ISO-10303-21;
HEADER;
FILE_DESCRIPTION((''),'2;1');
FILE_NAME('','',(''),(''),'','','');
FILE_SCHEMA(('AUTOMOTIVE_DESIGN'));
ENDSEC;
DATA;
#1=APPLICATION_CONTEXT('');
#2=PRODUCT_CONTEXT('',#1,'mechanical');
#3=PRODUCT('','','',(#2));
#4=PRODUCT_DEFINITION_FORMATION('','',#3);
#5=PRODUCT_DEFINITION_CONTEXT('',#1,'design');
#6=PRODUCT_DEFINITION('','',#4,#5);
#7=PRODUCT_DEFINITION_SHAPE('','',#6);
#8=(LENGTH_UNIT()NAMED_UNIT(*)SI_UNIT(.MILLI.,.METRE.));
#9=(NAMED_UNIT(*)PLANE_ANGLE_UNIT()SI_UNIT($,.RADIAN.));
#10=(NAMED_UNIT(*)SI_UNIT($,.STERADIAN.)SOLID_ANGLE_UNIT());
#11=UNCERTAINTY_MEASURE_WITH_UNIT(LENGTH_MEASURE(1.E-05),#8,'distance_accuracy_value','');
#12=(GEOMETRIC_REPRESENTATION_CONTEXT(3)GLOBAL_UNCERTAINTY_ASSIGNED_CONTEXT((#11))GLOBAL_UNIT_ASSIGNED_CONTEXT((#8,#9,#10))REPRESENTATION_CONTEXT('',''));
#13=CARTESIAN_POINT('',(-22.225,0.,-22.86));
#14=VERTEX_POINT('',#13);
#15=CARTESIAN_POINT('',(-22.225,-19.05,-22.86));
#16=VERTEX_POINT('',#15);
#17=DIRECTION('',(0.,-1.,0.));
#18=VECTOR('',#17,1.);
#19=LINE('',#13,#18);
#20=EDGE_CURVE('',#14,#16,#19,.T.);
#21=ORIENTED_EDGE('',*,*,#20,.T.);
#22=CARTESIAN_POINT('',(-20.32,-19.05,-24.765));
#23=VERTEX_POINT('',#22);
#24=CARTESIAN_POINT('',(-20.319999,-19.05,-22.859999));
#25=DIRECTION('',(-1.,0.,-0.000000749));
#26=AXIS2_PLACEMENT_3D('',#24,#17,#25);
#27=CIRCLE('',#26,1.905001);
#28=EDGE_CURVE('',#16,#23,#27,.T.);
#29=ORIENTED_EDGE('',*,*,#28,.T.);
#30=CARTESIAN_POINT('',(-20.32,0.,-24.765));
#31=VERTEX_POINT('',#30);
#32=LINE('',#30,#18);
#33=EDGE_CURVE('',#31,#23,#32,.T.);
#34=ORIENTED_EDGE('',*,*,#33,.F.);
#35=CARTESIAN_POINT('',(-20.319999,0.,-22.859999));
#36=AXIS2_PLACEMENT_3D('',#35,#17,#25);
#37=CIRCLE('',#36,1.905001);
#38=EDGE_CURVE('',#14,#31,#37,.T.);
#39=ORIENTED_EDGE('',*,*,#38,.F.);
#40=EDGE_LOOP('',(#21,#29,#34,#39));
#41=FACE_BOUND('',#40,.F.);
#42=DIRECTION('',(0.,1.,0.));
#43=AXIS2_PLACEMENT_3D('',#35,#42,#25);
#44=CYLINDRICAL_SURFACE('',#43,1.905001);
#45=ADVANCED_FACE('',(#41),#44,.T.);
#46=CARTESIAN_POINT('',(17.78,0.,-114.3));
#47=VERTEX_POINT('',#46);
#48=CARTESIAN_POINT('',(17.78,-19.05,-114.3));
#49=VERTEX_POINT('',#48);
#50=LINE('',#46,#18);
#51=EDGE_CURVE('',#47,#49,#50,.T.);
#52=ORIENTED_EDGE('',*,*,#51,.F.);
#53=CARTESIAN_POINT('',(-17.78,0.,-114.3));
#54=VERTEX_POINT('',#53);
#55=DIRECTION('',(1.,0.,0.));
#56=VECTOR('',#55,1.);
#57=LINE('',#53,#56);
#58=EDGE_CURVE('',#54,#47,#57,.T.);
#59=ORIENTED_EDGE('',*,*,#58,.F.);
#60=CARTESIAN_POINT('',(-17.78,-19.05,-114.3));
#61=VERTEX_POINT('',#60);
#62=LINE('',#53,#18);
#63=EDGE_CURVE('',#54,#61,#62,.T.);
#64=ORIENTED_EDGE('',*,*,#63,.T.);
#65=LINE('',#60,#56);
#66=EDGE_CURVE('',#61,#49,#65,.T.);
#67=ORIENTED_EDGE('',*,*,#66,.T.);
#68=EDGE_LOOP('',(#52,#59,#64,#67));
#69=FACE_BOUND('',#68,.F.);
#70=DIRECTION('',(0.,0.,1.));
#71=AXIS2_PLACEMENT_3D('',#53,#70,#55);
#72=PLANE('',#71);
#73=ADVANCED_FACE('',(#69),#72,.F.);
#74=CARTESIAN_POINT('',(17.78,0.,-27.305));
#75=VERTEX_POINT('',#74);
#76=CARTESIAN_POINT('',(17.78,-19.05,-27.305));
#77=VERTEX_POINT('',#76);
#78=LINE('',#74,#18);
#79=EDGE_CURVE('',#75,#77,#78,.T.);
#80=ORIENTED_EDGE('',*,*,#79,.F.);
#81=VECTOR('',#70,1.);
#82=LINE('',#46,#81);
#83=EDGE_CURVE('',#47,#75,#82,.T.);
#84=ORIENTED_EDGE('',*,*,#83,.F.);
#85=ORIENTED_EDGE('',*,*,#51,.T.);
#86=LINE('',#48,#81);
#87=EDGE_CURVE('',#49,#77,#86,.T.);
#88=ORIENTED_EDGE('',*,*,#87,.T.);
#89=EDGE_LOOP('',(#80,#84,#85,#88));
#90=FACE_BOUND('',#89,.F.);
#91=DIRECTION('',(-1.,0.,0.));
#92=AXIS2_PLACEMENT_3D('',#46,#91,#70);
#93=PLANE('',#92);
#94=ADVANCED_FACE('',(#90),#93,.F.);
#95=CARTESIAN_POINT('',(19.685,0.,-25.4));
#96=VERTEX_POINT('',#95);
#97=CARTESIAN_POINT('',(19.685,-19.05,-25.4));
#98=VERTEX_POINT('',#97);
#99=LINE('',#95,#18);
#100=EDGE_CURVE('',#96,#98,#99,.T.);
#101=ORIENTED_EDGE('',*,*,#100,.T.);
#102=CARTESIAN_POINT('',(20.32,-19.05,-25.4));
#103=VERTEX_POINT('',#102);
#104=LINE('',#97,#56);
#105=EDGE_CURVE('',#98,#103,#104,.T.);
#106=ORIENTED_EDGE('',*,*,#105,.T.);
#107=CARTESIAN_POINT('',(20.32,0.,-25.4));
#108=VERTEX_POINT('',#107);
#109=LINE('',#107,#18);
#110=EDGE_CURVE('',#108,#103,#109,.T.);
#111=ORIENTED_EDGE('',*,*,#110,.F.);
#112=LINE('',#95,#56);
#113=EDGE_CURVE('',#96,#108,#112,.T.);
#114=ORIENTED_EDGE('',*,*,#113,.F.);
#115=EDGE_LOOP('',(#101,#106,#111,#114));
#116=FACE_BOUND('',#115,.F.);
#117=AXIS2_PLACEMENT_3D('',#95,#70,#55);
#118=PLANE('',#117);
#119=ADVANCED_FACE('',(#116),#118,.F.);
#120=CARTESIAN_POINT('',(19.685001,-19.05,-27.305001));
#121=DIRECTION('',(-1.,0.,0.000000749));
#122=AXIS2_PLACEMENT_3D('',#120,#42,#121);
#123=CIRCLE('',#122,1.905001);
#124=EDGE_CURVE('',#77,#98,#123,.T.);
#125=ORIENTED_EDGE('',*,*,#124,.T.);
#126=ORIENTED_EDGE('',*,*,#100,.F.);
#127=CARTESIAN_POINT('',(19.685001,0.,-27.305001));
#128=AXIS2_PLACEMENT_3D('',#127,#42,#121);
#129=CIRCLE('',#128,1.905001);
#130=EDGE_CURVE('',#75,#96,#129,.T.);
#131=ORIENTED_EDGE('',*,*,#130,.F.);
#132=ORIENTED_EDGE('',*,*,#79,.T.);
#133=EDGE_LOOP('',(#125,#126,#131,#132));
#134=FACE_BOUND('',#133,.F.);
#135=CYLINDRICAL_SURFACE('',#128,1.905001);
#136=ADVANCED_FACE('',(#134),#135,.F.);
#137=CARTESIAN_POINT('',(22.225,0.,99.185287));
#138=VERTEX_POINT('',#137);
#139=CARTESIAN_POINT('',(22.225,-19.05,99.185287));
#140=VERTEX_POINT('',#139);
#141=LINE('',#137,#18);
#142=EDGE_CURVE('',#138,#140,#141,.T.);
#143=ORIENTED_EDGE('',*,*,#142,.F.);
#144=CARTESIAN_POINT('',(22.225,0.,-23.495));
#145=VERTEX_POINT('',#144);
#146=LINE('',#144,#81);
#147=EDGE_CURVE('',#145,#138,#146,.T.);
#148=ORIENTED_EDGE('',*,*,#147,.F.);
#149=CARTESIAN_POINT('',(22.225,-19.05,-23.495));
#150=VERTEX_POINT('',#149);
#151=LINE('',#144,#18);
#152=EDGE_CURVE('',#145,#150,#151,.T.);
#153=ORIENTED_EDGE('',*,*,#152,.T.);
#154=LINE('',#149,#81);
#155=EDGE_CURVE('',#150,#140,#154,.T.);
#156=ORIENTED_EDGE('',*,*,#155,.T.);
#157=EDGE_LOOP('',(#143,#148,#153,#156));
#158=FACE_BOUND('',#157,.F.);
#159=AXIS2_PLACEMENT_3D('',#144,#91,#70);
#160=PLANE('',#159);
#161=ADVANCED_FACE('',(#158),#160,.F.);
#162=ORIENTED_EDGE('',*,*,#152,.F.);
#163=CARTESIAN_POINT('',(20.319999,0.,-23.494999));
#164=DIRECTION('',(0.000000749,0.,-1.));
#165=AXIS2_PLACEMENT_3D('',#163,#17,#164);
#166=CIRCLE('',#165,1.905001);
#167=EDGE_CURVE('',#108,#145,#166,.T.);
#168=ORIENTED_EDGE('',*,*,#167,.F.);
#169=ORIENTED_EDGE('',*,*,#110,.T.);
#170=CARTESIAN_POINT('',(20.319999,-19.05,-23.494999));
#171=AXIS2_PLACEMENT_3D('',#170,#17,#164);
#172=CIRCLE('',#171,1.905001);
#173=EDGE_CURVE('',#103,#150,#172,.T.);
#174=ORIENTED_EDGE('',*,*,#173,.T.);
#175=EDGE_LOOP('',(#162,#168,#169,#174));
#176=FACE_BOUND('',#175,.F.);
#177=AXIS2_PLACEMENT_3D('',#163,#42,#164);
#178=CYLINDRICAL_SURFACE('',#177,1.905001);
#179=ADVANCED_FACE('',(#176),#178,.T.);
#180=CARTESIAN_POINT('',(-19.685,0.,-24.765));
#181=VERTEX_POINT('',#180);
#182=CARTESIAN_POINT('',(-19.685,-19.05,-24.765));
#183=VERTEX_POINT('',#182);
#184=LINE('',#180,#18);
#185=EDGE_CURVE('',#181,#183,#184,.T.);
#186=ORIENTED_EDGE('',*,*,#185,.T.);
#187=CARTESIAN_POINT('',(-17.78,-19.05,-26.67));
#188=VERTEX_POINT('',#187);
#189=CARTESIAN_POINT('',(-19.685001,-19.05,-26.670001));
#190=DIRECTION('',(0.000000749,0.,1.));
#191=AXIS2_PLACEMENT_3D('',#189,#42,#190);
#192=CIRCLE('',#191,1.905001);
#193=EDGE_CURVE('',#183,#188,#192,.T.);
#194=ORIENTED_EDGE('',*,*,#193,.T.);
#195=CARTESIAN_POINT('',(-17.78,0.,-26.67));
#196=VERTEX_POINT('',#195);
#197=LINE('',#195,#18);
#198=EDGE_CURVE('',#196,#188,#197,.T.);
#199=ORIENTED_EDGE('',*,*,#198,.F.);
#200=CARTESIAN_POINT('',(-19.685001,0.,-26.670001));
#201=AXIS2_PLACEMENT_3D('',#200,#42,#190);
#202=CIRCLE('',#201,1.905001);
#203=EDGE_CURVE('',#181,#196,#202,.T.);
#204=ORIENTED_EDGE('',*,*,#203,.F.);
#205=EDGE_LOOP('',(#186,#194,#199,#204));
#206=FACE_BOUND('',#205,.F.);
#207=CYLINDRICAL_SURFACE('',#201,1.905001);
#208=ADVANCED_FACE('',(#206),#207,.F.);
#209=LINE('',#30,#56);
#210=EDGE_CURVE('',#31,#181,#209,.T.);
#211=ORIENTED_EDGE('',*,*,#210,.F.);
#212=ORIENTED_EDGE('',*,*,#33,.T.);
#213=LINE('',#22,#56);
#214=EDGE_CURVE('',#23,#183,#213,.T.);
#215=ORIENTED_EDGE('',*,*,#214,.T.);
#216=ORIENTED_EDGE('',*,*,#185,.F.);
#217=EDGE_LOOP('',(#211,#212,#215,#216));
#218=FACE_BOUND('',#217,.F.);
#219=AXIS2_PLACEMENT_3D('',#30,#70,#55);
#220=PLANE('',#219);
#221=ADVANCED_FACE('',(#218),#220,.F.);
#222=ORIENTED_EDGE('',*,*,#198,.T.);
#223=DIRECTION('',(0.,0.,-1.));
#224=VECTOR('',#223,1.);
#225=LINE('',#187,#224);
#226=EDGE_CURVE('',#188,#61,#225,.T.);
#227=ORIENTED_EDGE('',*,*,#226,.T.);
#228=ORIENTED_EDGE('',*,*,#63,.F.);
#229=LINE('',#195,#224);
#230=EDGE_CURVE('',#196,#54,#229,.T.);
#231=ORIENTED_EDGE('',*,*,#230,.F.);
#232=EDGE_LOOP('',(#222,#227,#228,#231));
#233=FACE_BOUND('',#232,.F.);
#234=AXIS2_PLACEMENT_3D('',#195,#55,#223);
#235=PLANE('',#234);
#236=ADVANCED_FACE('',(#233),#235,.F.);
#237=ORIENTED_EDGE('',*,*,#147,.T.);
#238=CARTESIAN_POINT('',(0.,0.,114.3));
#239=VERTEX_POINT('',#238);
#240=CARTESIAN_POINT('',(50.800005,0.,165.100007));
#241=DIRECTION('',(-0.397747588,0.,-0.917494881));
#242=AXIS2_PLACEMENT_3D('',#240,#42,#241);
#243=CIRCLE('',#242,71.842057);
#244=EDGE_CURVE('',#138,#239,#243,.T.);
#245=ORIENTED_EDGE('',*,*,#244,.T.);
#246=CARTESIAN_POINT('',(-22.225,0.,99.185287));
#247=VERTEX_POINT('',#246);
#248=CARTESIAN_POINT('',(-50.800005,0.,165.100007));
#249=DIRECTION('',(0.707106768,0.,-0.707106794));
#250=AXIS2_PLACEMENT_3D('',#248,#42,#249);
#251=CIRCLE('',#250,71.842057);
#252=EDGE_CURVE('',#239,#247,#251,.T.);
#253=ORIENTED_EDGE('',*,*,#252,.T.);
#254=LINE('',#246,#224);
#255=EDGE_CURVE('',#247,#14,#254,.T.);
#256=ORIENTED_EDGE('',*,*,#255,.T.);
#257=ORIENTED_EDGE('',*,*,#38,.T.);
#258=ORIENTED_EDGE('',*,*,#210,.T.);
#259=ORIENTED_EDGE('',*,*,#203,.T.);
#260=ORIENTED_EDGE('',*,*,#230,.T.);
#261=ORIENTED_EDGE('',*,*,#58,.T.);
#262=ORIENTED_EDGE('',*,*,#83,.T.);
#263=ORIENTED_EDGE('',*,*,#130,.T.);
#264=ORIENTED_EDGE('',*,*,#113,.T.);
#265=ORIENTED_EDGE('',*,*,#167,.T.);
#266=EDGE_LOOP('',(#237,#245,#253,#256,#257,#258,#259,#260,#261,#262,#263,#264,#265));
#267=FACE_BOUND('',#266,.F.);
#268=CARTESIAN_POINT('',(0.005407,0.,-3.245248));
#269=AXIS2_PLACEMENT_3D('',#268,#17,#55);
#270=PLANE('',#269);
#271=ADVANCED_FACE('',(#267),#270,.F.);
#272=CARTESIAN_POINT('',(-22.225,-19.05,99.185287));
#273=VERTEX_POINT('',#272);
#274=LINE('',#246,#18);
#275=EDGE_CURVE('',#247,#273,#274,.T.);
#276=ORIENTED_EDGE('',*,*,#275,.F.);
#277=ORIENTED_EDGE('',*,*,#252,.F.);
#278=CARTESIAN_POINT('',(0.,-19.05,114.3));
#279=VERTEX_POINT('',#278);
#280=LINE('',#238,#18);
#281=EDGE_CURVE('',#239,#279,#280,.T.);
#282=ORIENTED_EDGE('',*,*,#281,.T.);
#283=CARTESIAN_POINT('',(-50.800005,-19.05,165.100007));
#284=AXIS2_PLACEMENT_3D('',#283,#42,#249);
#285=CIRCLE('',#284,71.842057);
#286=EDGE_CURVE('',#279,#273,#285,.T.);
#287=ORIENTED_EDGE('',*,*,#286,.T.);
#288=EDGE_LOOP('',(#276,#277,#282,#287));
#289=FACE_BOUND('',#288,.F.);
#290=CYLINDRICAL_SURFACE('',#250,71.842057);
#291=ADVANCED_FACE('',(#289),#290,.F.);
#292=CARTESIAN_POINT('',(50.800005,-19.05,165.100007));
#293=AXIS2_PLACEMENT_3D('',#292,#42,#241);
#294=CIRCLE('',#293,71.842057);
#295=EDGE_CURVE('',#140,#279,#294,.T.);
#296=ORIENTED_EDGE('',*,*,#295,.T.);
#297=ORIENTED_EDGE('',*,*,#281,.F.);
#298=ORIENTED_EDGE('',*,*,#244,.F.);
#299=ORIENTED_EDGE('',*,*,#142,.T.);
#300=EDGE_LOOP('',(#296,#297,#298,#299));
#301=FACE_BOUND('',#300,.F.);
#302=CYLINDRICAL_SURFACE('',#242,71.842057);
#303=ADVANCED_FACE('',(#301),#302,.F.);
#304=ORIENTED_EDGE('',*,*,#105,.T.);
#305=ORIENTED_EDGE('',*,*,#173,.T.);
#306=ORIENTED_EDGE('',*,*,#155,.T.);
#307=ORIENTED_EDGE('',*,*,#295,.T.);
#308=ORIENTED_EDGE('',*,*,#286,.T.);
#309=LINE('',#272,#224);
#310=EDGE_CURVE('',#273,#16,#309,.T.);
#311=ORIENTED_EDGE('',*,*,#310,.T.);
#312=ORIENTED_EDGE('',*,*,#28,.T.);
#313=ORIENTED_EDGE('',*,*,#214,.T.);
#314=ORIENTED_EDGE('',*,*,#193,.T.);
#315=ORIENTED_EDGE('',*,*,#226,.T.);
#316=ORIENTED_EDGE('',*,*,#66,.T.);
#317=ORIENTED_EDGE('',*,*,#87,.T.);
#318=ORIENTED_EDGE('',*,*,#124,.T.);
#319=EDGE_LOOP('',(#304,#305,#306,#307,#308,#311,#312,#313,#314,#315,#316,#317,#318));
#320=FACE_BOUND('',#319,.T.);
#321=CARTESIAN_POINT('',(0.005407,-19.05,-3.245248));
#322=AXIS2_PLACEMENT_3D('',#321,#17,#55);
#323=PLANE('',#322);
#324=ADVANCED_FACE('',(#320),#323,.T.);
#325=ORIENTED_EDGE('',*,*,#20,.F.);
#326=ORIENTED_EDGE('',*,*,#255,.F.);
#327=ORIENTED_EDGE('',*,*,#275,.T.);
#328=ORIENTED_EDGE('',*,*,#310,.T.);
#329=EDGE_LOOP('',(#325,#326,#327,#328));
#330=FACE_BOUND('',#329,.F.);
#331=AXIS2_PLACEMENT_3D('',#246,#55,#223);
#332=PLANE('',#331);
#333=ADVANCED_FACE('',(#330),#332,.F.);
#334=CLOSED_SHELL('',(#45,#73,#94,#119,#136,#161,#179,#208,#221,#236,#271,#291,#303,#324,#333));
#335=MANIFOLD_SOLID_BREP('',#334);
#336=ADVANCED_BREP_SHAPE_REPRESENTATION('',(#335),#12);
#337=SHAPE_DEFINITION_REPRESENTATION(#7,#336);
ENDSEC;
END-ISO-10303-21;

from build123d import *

# Parameters (mm, degrees)
F1_DEPTH = 19.05


with BuildPart() as f1:
    # F0 (on Front) → F1 (new body)
    with BuildSketch(Plane.XZ):
        with BuildLine():
            Line((-17.78, -114.3), (17.78, -114.3))
            Line((17.78, -114.3), (17.78, -27.305))
            ThreePointArc((17.78, -27.305), (18.337962, -25.957962), (19.685, -25.4))
            Line((19.685, -25.4), (20.32, -25.4))
            ThreePointArc((20.32, -25.4), (21.667038, -24.842038), (22.225, -23.495))
            Line((22.225, -23.495), (22.225, 99.185287))
            ThreePointArc((22.225, 99.185287), (10.399365, 105.694035), (0, 114.3))
            ThreePointArc((0, 114.3), (-10.399365, 105.694035), (-22.225, 99.185287))
            Line((-22.225, 99.185287), (-22.225, -22.86))
            ThreePointArc((-22.225, -22.86), (-21.667038, -24.207038), (-20.32, -24.765))
            Line((-20.32, -24.765), (-19.685, -24.765))
            ThreePointArc((-19.685, -24.765), (-18.337962, -25.322962), (-17.78, -26.67))
            Line((-17.78, -26.67), (-17.78, -114.3))
        make_face()
    extrude(amount=F1_DEPTH)


solid = f1.part
